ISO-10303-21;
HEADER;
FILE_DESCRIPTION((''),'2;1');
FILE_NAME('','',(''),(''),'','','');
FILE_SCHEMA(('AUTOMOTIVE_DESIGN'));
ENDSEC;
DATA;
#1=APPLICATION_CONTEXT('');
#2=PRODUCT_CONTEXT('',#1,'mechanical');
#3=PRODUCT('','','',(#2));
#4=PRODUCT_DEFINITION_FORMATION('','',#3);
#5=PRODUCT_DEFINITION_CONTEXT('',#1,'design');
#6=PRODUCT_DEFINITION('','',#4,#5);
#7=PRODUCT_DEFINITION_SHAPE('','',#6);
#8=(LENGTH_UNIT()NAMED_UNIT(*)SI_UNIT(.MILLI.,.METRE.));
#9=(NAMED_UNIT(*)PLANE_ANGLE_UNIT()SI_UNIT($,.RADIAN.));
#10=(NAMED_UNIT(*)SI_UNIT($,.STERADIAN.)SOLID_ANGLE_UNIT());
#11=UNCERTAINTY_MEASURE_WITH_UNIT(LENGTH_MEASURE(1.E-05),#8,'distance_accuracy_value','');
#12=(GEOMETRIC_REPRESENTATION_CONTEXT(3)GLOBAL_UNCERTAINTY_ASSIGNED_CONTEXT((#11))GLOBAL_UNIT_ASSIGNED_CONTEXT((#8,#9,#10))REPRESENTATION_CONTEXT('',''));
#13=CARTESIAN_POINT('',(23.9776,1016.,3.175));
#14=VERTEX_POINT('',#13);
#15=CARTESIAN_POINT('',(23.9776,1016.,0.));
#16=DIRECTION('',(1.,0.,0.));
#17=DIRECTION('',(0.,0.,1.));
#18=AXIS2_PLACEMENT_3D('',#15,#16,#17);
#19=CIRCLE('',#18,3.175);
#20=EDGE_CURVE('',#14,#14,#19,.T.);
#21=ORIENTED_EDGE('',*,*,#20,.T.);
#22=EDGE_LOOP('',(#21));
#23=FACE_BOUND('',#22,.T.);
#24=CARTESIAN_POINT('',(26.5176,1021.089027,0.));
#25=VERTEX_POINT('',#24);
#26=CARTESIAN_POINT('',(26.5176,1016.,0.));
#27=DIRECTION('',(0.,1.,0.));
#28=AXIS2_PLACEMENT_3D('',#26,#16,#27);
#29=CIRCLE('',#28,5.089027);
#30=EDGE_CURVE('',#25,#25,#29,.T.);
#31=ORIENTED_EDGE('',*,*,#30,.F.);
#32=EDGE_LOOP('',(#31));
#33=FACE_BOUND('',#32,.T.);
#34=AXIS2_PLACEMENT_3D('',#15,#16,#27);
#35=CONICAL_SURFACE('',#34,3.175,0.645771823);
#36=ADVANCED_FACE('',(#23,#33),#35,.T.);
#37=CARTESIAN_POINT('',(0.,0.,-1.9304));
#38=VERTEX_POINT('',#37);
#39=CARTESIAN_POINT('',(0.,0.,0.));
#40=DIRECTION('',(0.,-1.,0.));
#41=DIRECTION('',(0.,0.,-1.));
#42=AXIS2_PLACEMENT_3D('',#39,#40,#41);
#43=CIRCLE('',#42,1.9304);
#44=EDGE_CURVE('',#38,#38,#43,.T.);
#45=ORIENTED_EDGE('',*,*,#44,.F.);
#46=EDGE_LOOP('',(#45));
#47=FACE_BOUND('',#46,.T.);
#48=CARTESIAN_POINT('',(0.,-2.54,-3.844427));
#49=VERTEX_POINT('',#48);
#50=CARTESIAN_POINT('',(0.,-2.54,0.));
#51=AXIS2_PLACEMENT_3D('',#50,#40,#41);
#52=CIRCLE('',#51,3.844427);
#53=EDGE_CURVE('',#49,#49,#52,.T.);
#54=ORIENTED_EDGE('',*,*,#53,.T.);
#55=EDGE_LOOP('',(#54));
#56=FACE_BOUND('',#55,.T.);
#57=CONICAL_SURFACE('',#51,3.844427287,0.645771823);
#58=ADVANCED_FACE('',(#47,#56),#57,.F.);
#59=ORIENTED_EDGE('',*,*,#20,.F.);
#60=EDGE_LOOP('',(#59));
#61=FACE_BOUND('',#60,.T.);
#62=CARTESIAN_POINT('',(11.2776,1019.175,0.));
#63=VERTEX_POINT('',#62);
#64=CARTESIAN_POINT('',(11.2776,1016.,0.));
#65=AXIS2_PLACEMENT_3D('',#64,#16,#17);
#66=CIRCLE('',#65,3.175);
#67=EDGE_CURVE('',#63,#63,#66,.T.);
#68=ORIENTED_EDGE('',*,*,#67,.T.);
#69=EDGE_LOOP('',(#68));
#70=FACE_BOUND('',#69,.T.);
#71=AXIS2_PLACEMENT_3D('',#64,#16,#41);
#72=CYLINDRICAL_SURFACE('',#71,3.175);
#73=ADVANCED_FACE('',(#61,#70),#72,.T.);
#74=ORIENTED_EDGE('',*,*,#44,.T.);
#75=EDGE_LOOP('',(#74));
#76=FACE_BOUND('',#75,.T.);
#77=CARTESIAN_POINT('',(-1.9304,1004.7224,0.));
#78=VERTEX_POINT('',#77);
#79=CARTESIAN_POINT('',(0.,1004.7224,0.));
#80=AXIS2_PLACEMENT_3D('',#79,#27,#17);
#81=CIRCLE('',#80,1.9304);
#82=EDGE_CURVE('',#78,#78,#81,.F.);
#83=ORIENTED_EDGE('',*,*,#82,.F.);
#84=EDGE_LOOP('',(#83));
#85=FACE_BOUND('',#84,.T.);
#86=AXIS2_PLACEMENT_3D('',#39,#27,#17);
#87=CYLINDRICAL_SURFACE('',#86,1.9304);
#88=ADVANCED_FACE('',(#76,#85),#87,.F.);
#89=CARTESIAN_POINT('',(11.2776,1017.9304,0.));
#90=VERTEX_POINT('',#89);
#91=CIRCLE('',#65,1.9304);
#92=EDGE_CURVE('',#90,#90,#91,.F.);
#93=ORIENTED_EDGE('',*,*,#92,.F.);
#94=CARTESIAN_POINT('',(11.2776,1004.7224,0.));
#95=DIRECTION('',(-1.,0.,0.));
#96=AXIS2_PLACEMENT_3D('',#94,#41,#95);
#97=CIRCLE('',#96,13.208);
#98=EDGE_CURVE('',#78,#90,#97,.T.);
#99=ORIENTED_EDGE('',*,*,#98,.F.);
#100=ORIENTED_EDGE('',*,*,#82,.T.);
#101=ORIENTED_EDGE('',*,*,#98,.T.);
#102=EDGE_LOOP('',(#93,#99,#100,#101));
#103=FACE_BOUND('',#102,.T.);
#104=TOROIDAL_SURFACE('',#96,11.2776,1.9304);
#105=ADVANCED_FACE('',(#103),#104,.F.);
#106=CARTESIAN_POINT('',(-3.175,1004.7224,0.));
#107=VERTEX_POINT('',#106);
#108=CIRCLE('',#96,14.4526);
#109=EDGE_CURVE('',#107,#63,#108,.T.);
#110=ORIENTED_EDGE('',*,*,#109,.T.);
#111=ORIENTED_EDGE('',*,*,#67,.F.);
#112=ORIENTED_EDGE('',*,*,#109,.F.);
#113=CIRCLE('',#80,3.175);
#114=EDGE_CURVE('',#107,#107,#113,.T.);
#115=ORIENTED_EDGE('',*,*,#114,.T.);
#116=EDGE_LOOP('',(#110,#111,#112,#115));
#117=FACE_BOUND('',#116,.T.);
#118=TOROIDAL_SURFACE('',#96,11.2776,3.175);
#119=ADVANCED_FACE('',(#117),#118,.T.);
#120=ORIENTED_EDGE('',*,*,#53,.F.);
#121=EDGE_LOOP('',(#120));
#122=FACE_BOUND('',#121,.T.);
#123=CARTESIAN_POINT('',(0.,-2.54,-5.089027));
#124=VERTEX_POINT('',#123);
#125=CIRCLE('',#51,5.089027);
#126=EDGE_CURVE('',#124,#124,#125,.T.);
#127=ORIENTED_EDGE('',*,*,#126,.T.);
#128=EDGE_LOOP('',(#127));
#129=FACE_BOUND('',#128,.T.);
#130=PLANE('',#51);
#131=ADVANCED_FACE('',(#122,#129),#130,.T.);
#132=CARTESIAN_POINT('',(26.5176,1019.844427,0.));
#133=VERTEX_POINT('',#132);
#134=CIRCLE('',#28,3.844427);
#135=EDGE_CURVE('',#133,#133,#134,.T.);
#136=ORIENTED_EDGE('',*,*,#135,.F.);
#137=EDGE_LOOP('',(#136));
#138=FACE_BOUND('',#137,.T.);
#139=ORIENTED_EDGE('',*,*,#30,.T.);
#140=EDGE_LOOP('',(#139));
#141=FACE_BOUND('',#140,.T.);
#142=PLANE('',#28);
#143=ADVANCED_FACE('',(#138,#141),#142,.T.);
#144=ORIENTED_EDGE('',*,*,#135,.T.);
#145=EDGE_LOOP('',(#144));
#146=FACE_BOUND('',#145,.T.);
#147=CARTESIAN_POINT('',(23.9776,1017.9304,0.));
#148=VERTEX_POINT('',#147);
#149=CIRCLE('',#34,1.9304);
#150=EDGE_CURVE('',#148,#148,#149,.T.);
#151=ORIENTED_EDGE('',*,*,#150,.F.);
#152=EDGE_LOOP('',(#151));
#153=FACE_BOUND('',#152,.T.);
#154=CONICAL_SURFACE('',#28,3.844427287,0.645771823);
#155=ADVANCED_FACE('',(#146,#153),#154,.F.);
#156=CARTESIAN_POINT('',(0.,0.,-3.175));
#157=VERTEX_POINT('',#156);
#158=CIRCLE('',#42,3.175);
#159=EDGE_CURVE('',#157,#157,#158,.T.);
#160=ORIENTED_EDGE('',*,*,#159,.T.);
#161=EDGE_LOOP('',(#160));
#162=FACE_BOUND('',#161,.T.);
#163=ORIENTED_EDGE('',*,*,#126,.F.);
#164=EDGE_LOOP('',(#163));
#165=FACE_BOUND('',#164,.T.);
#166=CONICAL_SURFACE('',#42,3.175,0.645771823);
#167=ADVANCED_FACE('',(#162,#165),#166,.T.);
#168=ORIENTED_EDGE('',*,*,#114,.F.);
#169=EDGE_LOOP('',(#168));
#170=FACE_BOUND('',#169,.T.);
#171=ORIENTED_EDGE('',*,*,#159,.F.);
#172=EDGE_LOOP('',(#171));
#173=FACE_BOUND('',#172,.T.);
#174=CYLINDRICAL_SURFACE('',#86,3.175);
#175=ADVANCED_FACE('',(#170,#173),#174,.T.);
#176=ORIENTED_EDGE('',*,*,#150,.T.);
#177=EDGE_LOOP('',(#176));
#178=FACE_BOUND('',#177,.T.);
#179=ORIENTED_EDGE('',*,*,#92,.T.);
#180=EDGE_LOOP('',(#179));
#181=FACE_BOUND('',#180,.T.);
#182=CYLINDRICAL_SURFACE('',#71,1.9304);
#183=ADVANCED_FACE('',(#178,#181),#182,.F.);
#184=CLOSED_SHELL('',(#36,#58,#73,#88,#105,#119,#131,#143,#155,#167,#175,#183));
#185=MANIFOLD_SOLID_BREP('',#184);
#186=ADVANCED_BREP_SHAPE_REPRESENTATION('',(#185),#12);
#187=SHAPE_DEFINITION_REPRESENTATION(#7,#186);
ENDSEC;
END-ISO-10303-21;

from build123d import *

# Parameters (mm, degrees)
SKETCH1_R           = 3.175
SKETCH1_R_2         = 1.9304
SKETCH3_R           = 3.175
BOSS_EXTRUDE1_DEPTH = 2.54
BOSS_EXTRUDE1_DRAFT = -37
SKETCH5_R           = 3.175
BOSS_EXTRUDE2_DEPTH = 2.54
BOSS_EXTRUDE2_DRAFT = -37


with BuildPart() as part:
    # Sweep1: sweep along a path in Sketch2
    with BuildLine(Plane.XY) as sweep1_path:
        Line((0, 0), (0, 1004.7224))
        ThreePointArc((0, 1004.7224), (3.303132564, 1012.696867436), (11.2776, 1016))
        Line((11.2776, 1016), (23.9776, 1016))
    # Sketch1 → Sweep1 (sweep)
    with BuildSketch(Plane(origin=(0, 0, 0), x_dir=(1, 0, 0), z_dir=(0, 1, 0))):
        Circle(SKETCH1_R)
        Circle(SKETCH1_R_2, mode=Mode.SUBTRACT)
    sweep(path=sweep1_path.line)


with BuildPart() as boss_extrude1_tool:
    # Sketch3 → Boss-Extrude1 (with draft: the straight prism first)
    with BuildSketch(Plane.XZ):
        with Locations(Location((0, 0, 0), (0, 0, 180))):
            Circle(SKETCH3_R)
    extrude(amount=BOSS_EXTRUDE1_DEPTH)
    # Boss-Extrude1: the draft: its side faces are tilted about the plane it starts from
    boss_extrude1_sides = [boss_extrude1_tool.faces().sort_by_distance(p)[0] for p in [
        (3.175, -1.27, 0),
    ]]
    draft(boss_extrude1_sides, Plane.XZ, BOSS_EXTRUDE1_DRAFT)


with BuildPart() as part_1:
    add(part.part)

    # Boss-Extrude1: add boss_extrude1_tool
    add(boss_extrude1_tool.part)

    # Cut-Extrude1 cone 1 section (through the dimple's axis) → Cut-Extrude1 (revolve, cut)
    with BuildSketch(Plane(origin=(0, -2.54, 0), x_dir=(0, 0, -1), z_dir=(1, 0, 0))):
        Polygon((0, 0), (3.844427287, 0), (0, 5.101727324), align=None)
    revolve(axis=Axis((0, -2.54, 0), (0, 1, 0)), mode=Mode.SUBTRACT)


with BuildPart() as boss_extrude2_tool:
    # Sketch5 → Boss-Extrude2 (with draft: the straight prism first)
    with BuildSketch(Plane(origin=(23.9776, 0, 0), x_dir=(0, 0, -1), z_dir=(1, 0, 0))):
        with Locations(Location((0, 1016, 0), (0, 0, 90))):
            Circle(SKETCH5_R)
    extrude(amount=BOSS_EXTRUDE2_DEPTH)
    # Boss-Extrude2: the draft: its side faces are tilted about the plane it starts from
    boss_extrude2_sides = [boss_extrude2_tool.faces().sort_by_distance(p)[0] for p in [
        (25.2476, 1012.825, 0),
    ]]
    draft(boss_extrude2_sides, Plane(origin=(23.9776, 0, 0), x_dir=(0, 0, -1), z_dir=(1, 0, 0)), BOSS_EXTRUDE2_DRAFT)


with BuildPart() as part_2:
    add(part_1.part)

    # Boss-Extrude2: add boss_extrude2_tool
    add(boss_extrude2_tool.part)

    # Cut-Extrude2 cone 1 section (through the dimple's axis) → Cut-Extrude2 (revolve, cut)
    with BuildSketch(Plane(origin=(26.5176, 1016, 0), x_dir=(0, 0, -1), z_dir=(0, 1, 0))):
        Polygon((0, 0), (3.844427287, 0), (0, 5.101727324), align=None)
    revolve(axis=Axis((26.5176, 1016, 0), (-1, 0, 0)), mode=Mode.SUBTRACT)


solid = part_2.part
